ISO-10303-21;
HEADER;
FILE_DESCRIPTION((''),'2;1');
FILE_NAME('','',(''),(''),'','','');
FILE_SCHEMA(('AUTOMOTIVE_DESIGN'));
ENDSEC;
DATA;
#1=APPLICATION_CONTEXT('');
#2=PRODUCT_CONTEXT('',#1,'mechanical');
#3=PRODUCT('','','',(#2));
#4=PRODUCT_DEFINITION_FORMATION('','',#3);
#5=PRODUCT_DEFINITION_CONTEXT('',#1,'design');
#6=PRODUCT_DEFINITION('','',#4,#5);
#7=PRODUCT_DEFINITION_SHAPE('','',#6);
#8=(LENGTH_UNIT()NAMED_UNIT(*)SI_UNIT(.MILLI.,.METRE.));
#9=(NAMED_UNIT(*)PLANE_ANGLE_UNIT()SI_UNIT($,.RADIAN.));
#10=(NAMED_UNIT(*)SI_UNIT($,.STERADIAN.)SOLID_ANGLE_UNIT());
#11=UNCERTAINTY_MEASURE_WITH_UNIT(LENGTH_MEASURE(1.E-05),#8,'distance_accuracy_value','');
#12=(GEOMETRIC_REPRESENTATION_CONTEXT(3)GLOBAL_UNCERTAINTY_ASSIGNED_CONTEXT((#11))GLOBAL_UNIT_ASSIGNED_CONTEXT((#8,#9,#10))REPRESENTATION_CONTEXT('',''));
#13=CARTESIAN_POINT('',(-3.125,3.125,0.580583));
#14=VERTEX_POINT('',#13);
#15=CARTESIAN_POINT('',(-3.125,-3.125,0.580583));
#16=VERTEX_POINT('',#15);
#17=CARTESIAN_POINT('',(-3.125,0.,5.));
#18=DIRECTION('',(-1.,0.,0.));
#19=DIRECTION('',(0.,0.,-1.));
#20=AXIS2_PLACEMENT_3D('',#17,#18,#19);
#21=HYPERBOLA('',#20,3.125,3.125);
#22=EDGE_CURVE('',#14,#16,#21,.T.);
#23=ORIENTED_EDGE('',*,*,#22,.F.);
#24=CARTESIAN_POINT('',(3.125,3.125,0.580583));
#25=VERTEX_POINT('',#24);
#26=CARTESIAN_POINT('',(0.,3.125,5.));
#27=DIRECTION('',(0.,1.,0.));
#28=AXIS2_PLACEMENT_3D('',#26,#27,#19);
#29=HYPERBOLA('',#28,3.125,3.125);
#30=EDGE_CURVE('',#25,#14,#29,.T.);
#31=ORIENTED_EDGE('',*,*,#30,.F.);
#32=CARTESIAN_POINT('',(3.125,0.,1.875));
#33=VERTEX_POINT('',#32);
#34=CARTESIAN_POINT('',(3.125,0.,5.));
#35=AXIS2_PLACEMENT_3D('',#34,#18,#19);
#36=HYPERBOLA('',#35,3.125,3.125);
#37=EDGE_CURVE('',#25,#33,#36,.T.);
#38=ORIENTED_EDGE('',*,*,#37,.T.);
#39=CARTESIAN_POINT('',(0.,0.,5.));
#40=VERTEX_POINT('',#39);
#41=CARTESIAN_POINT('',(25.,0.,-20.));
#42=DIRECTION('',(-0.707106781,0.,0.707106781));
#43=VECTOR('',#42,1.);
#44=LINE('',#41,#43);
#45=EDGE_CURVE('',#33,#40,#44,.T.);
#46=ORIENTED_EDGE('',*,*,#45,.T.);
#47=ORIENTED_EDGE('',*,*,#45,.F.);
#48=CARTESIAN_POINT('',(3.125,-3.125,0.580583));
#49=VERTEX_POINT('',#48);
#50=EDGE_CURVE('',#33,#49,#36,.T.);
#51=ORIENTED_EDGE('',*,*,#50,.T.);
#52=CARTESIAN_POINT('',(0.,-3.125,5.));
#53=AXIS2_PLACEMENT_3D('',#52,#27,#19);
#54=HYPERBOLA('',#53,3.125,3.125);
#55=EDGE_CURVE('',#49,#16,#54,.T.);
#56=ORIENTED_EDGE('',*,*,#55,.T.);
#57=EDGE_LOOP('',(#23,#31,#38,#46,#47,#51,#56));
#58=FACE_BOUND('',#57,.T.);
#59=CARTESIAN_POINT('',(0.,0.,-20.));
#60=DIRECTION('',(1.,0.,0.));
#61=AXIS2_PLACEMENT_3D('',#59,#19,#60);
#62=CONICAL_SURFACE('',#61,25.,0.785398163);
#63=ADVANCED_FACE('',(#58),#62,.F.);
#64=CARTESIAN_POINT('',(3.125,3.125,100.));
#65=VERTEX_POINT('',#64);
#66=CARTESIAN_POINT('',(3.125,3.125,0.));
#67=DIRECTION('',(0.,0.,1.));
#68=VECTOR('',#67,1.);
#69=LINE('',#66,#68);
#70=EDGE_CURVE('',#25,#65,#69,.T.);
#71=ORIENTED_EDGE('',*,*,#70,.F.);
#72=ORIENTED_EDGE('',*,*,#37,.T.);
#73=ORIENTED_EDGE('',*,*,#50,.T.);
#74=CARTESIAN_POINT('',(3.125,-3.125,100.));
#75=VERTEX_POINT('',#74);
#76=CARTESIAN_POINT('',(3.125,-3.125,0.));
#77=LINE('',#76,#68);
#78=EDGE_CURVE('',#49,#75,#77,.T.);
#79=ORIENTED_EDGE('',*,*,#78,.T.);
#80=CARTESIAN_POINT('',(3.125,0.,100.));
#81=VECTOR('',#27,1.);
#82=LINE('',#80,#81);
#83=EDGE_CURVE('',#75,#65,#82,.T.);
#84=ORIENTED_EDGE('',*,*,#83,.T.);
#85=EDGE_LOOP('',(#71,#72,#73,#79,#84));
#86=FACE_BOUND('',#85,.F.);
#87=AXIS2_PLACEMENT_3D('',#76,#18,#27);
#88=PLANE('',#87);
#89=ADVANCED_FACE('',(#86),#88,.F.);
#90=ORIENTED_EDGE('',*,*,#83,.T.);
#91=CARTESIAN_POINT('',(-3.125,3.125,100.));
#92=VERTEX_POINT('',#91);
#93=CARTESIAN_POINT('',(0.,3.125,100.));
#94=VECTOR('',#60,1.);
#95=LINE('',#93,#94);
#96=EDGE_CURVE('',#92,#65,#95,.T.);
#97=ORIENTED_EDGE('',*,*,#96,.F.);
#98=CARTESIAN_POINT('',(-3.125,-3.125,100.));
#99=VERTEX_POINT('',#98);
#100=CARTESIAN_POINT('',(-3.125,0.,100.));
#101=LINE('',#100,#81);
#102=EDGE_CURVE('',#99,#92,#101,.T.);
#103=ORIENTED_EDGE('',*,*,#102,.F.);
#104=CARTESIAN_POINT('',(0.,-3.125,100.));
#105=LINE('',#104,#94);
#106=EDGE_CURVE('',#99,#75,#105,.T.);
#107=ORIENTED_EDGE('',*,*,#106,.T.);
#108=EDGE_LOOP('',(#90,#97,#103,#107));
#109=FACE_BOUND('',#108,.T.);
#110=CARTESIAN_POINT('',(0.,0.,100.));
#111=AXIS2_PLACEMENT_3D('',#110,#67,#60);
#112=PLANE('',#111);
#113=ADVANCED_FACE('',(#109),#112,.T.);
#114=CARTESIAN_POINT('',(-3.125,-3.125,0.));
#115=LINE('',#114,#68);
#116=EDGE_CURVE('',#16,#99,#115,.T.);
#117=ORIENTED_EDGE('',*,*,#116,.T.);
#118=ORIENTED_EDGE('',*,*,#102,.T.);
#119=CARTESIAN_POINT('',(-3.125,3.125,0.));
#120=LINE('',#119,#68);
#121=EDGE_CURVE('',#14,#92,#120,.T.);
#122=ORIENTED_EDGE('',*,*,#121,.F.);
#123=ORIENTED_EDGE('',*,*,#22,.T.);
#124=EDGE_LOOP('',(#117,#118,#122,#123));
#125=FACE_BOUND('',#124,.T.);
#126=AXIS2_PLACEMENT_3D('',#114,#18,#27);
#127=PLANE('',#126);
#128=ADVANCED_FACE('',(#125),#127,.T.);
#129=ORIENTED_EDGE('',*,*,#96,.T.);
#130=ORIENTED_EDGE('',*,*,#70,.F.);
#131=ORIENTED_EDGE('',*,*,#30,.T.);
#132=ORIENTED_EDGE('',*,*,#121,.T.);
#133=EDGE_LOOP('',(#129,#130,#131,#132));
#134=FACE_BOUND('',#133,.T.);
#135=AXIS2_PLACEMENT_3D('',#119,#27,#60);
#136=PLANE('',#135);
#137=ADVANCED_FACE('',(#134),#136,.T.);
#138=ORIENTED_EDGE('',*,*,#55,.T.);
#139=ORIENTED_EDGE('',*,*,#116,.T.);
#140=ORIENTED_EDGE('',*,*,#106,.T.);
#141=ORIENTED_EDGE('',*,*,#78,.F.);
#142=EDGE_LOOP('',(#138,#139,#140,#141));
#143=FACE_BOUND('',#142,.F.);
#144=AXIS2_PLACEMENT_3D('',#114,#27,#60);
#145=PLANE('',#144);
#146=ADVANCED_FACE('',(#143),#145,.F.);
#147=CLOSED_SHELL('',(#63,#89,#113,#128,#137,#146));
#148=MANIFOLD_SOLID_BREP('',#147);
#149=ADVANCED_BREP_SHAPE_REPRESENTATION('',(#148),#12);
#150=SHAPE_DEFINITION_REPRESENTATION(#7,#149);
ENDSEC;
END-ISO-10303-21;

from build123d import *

# Parameters (mm, degrees)
F0_W     = 6.25
F0_H     = 6.25
F1_DEPTH = 100


with BuildPart() as f1:
    # F0 (on Top) → F1 (new body)
    with BuildSketch(Plane.XY):
        Rectangle(F0_W, F0_H)
    extrude(amount=F1_DEPTH)

    # F2 (on Front) → F3 (revolve, cut)
    with BuildSketch(Plane.XZ):
        Polygon((25, -20), (0, 5), (0, -20), align=None)
    revolve(axis=Axis((0, 0, -7.5), (0, 0, -1)), mode=Mode.SUBTRACT)


solid = f1.part
